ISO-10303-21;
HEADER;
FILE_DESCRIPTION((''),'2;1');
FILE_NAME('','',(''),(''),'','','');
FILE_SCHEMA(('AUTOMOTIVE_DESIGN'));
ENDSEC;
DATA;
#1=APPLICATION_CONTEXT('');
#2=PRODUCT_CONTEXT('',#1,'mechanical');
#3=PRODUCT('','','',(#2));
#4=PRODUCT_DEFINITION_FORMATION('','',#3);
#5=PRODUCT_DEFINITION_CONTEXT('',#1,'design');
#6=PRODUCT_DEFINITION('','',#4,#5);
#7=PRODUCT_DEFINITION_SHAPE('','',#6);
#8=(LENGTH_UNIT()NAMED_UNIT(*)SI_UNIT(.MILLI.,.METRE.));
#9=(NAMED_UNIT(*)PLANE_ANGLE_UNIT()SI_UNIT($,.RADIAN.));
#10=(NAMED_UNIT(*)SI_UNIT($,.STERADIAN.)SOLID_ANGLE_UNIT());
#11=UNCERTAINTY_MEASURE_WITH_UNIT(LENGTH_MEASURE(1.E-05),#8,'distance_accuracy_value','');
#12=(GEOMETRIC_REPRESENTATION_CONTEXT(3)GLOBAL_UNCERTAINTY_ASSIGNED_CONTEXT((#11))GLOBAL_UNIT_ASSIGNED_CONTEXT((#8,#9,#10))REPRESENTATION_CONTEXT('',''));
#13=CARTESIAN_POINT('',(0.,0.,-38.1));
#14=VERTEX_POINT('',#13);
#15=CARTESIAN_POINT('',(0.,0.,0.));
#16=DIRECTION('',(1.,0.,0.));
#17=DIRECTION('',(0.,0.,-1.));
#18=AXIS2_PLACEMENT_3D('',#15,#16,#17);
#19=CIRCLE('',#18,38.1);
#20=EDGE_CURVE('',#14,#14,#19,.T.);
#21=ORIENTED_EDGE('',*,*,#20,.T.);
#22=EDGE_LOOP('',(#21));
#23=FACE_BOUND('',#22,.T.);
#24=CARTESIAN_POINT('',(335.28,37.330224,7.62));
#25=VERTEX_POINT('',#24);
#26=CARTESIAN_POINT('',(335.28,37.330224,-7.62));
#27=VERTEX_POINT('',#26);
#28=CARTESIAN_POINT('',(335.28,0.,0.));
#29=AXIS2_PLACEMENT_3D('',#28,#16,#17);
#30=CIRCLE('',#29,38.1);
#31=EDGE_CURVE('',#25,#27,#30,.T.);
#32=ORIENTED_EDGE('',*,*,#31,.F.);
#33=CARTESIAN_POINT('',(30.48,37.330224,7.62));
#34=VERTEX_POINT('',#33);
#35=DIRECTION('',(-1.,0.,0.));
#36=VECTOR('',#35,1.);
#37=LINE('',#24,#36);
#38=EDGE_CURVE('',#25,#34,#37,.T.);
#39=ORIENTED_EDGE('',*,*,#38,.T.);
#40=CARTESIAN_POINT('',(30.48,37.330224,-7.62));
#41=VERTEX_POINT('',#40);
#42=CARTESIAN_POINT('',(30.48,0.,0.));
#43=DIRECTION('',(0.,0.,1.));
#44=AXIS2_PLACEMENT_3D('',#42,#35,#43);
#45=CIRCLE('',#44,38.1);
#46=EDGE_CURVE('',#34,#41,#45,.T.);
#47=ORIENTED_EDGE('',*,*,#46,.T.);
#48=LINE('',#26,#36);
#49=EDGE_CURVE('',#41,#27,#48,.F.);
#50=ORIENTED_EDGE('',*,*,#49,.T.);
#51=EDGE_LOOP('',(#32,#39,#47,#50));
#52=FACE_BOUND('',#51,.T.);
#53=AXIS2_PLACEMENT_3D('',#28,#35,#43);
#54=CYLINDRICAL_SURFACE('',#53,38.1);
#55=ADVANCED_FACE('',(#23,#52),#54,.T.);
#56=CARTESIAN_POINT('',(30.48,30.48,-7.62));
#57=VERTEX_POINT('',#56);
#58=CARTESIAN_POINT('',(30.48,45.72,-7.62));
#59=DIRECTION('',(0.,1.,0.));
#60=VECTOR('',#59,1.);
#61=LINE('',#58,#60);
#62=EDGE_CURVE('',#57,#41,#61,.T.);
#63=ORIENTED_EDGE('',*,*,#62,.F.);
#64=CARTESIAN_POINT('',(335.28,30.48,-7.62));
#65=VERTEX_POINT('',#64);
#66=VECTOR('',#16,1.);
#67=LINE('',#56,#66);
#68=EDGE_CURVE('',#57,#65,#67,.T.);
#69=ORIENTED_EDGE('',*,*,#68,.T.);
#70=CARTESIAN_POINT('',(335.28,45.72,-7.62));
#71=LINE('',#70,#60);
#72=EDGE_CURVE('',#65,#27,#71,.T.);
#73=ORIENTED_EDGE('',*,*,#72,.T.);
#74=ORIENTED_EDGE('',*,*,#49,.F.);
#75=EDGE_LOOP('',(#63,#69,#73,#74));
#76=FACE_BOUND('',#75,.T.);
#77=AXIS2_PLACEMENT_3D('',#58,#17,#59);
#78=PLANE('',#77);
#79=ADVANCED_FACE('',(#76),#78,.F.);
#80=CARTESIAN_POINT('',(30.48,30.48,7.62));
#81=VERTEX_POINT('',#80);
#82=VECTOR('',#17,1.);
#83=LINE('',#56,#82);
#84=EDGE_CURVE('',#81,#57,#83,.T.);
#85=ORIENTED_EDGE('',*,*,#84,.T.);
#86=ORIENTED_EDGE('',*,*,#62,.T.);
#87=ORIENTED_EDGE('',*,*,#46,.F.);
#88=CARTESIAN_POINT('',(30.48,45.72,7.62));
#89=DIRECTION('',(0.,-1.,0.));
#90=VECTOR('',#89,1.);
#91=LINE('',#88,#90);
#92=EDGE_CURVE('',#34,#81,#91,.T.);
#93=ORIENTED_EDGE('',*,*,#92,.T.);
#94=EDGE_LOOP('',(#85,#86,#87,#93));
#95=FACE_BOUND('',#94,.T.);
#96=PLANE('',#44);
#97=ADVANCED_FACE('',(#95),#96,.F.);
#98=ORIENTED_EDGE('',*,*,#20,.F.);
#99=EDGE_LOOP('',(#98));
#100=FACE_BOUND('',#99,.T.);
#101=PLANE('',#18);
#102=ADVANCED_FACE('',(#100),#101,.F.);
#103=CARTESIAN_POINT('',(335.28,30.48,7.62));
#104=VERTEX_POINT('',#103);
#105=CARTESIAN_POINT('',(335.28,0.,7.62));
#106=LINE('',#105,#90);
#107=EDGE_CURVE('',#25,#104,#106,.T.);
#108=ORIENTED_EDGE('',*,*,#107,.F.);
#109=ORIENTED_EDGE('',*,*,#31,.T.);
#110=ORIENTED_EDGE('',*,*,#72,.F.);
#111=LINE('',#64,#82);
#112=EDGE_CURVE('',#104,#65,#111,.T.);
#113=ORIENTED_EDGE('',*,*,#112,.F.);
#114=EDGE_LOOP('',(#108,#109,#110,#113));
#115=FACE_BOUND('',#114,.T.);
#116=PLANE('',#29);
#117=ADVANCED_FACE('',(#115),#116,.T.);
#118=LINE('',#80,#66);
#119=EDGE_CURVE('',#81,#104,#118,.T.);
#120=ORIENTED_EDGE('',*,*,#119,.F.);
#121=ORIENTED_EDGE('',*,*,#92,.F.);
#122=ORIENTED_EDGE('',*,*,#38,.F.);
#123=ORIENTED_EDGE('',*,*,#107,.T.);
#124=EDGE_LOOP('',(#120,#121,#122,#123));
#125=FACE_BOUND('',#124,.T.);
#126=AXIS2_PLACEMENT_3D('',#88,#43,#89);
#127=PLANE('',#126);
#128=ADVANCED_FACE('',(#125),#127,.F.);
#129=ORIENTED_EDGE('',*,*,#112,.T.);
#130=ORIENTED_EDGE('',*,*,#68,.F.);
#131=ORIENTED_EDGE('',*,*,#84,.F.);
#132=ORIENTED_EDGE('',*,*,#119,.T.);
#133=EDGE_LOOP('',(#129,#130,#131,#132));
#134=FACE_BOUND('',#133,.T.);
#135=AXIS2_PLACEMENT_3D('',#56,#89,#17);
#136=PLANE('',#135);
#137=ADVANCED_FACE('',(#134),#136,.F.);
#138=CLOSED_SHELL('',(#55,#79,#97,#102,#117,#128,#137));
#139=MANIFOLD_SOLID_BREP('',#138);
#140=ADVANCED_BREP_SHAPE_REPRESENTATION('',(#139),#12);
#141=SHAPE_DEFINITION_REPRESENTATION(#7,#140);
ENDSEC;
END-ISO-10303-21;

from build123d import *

# Parameters (mm, degrees)
SKETCH1_R           = 38.1
BOSS_EXTRUDE1_DEPTH = 335.28
SKETCH2_W           = 15.24
SKETCH2_H           = 15.24
CUT_EXTRUDE1_DEPTH  = 304.8


with BuildPart() as part:
    # Sketch1 → Boss-Extrude1 (new body)
    with BuildSketch(Plane(origin=(0, 0, 0), x_dir=(0, 0, -1), z_dir=(1, 0, 0))):
        Circle(SKETCH1_R)
    extrude(amount=BOSS_EXTRUDE1_DEPTH)

    # Sketch2 → Cut-Extrude1 (cut)
    with BuildSketch(Plane(origin=(335.28, 0, 0), x_dir=(0, 0, -1), z_dir=(1, 0, 0))):
        with Locations((0, 38.1)):
            Rectangle(SKETCH2_W, SKETCH2_H)
    extrude(amount=-CUT_EXTRUDE1_DEPTH, mode=Mode.SUBTRACT)


solid = part.part
